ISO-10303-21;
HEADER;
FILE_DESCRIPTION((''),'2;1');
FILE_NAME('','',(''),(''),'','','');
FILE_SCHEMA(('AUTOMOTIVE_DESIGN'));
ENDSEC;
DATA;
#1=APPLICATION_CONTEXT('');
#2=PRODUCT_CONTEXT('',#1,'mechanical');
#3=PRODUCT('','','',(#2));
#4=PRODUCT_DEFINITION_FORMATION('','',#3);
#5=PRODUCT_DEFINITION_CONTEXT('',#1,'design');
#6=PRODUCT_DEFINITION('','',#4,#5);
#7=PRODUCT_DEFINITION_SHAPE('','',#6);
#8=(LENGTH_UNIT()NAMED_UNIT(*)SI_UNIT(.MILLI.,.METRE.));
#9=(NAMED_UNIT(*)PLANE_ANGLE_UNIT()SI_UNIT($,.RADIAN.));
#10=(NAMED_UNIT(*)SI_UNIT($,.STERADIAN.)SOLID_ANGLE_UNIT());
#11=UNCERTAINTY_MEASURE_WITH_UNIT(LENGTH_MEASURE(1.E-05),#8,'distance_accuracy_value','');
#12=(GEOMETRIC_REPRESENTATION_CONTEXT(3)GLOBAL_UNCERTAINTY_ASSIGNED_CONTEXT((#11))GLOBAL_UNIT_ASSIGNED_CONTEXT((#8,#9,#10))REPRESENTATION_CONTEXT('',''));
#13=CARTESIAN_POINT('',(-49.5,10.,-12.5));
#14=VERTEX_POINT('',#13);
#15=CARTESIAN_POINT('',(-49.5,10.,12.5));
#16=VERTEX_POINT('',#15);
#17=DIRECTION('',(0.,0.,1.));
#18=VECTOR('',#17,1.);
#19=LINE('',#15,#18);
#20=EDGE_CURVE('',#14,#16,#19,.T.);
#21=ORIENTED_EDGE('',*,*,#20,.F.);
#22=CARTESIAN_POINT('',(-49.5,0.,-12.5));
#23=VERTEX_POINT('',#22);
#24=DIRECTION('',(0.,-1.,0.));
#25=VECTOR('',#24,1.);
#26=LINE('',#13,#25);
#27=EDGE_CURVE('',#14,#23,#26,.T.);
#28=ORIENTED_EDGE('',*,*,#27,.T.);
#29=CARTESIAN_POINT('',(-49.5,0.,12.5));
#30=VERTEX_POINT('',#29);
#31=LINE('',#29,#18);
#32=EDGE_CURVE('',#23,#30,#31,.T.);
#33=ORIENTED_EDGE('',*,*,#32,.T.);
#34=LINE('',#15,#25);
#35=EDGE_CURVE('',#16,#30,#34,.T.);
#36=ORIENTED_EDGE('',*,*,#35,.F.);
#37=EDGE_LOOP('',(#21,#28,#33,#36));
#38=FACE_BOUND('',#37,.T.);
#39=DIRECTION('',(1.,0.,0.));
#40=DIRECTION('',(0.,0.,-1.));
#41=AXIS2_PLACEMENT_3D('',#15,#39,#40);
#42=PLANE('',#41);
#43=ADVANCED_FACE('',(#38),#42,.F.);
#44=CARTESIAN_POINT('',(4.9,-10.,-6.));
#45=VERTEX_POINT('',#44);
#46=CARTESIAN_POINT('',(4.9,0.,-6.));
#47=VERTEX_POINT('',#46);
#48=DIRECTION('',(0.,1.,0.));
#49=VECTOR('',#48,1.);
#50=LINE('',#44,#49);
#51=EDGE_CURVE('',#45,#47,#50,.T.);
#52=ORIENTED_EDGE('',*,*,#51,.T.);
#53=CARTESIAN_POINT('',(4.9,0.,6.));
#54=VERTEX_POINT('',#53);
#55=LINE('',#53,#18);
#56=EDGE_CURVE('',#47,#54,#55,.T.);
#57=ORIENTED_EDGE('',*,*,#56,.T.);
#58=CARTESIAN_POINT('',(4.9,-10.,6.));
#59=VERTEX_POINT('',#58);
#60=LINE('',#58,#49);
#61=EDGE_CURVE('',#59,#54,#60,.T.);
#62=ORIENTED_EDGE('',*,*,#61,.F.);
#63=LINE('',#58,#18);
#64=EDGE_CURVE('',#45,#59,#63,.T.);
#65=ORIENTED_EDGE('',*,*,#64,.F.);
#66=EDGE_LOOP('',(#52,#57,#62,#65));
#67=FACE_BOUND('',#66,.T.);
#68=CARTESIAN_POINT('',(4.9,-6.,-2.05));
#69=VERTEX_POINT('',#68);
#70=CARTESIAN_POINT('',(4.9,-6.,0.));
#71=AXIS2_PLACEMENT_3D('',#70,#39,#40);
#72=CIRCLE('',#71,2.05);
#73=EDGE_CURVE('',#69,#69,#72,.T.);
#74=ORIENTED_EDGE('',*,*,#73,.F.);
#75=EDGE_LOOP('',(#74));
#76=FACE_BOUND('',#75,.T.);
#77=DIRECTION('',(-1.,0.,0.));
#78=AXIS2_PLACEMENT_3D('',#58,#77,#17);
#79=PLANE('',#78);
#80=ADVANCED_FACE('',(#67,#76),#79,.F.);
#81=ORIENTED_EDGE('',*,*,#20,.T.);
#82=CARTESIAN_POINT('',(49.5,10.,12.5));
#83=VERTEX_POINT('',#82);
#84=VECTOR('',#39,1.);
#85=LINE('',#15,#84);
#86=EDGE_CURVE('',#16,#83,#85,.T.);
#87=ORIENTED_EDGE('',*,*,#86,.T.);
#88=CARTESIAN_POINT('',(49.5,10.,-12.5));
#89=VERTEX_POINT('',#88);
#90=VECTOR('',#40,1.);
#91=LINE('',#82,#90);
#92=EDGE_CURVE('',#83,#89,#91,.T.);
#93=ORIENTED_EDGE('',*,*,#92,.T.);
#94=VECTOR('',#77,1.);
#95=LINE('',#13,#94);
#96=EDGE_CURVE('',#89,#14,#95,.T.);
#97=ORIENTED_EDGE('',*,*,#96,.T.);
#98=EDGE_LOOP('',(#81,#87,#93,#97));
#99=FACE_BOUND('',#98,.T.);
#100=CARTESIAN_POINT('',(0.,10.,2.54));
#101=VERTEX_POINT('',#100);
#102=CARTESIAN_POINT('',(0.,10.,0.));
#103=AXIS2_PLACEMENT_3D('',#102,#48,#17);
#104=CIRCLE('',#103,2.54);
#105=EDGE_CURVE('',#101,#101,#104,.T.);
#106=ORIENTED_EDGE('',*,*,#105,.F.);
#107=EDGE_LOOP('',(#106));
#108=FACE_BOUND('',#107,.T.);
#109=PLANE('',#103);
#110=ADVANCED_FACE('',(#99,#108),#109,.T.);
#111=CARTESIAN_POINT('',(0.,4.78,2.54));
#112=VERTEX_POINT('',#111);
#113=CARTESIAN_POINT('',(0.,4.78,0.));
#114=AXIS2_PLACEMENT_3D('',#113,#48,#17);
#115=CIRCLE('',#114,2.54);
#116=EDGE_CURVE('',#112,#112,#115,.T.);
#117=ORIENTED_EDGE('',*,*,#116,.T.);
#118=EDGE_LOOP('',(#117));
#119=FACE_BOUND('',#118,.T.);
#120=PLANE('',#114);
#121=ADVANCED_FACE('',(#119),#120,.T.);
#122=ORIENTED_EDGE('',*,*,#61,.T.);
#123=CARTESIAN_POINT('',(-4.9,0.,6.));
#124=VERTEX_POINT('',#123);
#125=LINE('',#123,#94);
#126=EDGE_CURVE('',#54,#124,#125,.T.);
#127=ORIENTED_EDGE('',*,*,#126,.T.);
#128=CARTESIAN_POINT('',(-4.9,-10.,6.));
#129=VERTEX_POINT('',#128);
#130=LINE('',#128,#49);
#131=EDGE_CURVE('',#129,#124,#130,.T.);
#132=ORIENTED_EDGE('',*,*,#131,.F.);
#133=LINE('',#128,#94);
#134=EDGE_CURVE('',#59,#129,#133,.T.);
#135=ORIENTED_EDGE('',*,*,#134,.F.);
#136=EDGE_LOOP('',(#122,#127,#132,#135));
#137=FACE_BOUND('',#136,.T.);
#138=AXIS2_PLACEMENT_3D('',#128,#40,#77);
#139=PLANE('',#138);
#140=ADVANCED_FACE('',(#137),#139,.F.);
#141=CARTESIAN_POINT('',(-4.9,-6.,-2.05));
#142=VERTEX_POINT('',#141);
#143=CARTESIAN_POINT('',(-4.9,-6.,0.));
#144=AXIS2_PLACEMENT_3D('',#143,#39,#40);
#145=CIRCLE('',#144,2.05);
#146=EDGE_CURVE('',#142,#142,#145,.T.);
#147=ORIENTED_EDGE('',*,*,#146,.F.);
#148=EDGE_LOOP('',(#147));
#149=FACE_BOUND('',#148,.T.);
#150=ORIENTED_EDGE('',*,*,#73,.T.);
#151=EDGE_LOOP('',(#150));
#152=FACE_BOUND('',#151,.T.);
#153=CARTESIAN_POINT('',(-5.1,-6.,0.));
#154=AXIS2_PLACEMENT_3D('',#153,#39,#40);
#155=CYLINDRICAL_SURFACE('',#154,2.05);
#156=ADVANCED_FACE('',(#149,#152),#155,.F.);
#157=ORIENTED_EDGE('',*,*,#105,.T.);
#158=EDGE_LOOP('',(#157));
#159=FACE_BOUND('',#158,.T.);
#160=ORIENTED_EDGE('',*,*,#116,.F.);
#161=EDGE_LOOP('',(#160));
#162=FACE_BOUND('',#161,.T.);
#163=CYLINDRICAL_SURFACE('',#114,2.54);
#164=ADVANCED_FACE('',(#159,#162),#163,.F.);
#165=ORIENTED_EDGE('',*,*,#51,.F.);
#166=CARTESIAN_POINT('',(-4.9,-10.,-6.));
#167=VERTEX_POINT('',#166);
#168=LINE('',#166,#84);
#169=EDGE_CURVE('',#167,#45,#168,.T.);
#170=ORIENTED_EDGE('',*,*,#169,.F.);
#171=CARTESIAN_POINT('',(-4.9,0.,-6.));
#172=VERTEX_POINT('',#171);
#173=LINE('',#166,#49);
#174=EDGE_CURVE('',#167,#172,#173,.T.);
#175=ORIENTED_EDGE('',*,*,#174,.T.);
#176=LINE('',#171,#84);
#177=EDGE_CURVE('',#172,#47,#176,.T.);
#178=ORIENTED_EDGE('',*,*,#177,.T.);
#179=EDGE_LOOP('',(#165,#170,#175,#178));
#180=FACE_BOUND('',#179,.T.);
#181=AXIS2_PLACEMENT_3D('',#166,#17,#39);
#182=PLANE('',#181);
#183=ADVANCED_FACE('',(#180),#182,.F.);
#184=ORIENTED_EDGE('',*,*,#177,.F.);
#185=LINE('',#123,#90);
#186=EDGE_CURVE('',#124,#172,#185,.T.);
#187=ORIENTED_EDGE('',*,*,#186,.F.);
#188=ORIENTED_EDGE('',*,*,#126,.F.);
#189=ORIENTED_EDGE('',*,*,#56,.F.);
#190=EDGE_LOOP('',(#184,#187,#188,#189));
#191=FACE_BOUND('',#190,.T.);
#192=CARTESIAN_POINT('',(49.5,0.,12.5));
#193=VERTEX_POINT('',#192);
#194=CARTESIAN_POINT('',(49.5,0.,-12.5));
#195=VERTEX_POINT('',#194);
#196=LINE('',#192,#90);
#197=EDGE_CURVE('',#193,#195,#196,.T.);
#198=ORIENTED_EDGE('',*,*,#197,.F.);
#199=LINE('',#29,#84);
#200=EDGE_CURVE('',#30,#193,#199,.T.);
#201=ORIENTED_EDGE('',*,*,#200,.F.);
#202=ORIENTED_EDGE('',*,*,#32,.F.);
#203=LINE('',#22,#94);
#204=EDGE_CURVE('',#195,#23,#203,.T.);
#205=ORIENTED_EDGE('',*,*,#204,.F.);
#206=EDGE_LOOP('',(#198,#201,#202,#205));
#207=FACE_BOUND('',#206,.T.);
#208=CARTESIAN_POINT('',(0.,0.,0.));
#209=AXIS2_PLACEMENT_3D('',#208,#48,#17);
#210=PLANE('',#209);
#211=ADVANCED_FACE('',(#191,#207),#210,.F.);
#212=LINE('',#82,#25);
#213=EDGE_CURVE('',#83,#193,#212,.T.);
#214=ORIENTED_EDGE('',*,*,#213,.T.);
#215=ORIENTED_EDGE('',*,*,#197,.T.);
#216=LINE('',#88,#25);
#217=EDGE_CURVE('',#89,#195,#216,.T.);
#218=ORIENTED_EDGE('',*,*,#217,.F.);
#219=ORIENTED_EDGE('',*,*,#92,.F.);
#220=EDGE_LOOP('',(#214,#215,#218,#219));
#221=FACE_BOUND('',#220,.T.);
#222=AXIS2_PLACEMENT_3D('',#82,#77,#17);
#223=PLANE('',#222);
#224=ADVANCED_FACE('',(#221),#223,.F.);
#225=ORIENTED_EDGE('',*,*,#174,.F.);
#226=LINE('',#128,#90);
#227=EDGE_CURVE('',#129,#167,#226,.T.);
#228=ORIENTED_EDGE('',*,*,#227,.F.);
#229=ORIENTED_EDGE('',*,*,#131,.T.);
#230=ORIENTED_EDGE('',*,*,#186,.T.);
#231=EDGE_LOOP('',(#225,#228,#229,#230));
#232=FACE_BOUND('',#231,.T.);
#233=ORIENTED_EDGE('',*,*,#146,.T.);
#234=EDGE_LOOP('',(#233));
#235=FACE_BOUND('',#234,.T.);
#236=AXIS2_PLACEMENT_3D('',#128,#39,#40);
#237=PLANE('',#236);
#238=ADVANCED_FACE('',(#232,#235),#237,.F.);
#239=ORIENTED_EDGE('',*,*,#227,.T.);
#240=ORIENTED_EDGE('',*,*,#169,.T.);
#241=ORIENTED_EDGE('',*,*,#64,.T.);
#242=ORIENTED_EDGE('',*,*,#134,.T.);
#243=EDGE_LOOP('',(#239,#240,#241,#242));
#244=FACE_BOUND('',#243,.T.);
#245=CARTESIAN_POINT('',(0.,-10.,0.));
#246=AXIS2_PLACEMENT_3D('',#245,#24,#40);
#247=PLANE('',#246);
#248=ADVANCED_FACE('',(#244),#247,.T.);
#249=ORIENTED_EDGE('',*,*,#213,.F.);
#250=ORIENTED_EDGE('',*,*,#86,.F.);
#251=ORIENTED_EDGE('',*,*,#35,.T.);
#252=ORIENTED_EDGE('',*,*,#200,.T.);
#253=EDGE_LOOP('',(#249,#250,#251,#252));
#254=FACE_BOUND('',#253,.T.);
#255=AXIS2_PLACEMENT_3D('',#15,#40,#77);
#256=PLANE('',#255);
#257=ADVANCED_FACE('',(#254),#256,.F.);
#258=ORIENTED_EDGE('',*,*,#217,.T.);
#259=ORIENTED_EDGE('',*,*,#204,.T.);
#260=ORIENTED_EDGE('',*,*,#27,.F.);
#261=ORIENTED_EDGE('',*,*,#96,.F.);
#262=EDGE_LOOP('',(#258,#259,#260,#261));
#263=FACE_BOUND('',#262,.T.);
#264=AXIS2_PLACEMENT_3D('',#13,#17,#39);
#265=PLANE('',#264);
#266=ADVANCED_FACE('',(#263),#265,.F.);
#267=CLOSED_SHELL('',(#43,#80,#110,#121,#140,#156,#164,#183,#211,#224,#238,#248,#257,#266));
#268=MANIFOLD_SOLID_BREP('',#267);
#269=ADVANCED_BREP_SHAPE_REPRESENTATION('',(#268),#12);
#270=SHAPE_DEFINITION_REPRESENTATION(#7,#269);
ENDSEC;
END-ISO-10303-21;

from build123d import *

# Parameters (mm, degrees)
SKETCH1_W           = 99
SKETCH1_H           = 25
BOSS_EXTRUDE1_DEPTH = 10
SKETCH9_W           = 9.8
SKETCH9_H           = 12
BOSS_EXTRUDE9_DEPTH = 10
SKETCH10_R          = 2.54
CUT_EXTRUDE1_DEPTH  = 5.22
SKETCH11_R          = 2.05
CUT_EXTRUDE2_DEPTH  = 10


with BuildPart() as part:
    # Sketch1 → Boss-Extrude1 (new body)
    with BuildSketch(Plane(origin=(0, 0, 0), x_dir=(1, 0, 0), z_dir=(0, 1, 0))):
        Rectangle(SKETCH1_W, SKETCH1_H)
    extrude(amount=BOSS_EXTRUDE1_DEPTH)

    # Sketch9 → Boss-Extrude9 (add)
    with BuildSketch(Plane.XZ):
        Rectangle(SKETCH9_W, SKETCH9_H)
    extrude(amount=BOSS_EXTRUDE9_DEPTH)

    # Sketch10 → Cut-Extrude1 (cut)
    with BuildSketch(Plane(origin=(0, 10, 0), x_dir=(1, 0, 0), z_dir=(0, 1, 0))):
        with Locations(Location((0, 0, 0), (0, 0, 270))):
            Circle(SKETCH10_R)
    extrude(amount=-CUT_EXTRUDE1_DEPTH, mode=Mode.SUBTRACT)

    # Sketch11 → Cut-Extrude2 (cut)
    with BuildSketch(Plane(origin=(4.9, 0, 0), x_dir=(0, 0, -1), z_dir=(1, 0, 0))):
        with Locations((0, -6)):
            Circle(SKETCH11_R)
    extrude(amount=-CUT_EXTRUDE2_DEPTH, mode=Mode.SUBTRACT)


solid = part.part
